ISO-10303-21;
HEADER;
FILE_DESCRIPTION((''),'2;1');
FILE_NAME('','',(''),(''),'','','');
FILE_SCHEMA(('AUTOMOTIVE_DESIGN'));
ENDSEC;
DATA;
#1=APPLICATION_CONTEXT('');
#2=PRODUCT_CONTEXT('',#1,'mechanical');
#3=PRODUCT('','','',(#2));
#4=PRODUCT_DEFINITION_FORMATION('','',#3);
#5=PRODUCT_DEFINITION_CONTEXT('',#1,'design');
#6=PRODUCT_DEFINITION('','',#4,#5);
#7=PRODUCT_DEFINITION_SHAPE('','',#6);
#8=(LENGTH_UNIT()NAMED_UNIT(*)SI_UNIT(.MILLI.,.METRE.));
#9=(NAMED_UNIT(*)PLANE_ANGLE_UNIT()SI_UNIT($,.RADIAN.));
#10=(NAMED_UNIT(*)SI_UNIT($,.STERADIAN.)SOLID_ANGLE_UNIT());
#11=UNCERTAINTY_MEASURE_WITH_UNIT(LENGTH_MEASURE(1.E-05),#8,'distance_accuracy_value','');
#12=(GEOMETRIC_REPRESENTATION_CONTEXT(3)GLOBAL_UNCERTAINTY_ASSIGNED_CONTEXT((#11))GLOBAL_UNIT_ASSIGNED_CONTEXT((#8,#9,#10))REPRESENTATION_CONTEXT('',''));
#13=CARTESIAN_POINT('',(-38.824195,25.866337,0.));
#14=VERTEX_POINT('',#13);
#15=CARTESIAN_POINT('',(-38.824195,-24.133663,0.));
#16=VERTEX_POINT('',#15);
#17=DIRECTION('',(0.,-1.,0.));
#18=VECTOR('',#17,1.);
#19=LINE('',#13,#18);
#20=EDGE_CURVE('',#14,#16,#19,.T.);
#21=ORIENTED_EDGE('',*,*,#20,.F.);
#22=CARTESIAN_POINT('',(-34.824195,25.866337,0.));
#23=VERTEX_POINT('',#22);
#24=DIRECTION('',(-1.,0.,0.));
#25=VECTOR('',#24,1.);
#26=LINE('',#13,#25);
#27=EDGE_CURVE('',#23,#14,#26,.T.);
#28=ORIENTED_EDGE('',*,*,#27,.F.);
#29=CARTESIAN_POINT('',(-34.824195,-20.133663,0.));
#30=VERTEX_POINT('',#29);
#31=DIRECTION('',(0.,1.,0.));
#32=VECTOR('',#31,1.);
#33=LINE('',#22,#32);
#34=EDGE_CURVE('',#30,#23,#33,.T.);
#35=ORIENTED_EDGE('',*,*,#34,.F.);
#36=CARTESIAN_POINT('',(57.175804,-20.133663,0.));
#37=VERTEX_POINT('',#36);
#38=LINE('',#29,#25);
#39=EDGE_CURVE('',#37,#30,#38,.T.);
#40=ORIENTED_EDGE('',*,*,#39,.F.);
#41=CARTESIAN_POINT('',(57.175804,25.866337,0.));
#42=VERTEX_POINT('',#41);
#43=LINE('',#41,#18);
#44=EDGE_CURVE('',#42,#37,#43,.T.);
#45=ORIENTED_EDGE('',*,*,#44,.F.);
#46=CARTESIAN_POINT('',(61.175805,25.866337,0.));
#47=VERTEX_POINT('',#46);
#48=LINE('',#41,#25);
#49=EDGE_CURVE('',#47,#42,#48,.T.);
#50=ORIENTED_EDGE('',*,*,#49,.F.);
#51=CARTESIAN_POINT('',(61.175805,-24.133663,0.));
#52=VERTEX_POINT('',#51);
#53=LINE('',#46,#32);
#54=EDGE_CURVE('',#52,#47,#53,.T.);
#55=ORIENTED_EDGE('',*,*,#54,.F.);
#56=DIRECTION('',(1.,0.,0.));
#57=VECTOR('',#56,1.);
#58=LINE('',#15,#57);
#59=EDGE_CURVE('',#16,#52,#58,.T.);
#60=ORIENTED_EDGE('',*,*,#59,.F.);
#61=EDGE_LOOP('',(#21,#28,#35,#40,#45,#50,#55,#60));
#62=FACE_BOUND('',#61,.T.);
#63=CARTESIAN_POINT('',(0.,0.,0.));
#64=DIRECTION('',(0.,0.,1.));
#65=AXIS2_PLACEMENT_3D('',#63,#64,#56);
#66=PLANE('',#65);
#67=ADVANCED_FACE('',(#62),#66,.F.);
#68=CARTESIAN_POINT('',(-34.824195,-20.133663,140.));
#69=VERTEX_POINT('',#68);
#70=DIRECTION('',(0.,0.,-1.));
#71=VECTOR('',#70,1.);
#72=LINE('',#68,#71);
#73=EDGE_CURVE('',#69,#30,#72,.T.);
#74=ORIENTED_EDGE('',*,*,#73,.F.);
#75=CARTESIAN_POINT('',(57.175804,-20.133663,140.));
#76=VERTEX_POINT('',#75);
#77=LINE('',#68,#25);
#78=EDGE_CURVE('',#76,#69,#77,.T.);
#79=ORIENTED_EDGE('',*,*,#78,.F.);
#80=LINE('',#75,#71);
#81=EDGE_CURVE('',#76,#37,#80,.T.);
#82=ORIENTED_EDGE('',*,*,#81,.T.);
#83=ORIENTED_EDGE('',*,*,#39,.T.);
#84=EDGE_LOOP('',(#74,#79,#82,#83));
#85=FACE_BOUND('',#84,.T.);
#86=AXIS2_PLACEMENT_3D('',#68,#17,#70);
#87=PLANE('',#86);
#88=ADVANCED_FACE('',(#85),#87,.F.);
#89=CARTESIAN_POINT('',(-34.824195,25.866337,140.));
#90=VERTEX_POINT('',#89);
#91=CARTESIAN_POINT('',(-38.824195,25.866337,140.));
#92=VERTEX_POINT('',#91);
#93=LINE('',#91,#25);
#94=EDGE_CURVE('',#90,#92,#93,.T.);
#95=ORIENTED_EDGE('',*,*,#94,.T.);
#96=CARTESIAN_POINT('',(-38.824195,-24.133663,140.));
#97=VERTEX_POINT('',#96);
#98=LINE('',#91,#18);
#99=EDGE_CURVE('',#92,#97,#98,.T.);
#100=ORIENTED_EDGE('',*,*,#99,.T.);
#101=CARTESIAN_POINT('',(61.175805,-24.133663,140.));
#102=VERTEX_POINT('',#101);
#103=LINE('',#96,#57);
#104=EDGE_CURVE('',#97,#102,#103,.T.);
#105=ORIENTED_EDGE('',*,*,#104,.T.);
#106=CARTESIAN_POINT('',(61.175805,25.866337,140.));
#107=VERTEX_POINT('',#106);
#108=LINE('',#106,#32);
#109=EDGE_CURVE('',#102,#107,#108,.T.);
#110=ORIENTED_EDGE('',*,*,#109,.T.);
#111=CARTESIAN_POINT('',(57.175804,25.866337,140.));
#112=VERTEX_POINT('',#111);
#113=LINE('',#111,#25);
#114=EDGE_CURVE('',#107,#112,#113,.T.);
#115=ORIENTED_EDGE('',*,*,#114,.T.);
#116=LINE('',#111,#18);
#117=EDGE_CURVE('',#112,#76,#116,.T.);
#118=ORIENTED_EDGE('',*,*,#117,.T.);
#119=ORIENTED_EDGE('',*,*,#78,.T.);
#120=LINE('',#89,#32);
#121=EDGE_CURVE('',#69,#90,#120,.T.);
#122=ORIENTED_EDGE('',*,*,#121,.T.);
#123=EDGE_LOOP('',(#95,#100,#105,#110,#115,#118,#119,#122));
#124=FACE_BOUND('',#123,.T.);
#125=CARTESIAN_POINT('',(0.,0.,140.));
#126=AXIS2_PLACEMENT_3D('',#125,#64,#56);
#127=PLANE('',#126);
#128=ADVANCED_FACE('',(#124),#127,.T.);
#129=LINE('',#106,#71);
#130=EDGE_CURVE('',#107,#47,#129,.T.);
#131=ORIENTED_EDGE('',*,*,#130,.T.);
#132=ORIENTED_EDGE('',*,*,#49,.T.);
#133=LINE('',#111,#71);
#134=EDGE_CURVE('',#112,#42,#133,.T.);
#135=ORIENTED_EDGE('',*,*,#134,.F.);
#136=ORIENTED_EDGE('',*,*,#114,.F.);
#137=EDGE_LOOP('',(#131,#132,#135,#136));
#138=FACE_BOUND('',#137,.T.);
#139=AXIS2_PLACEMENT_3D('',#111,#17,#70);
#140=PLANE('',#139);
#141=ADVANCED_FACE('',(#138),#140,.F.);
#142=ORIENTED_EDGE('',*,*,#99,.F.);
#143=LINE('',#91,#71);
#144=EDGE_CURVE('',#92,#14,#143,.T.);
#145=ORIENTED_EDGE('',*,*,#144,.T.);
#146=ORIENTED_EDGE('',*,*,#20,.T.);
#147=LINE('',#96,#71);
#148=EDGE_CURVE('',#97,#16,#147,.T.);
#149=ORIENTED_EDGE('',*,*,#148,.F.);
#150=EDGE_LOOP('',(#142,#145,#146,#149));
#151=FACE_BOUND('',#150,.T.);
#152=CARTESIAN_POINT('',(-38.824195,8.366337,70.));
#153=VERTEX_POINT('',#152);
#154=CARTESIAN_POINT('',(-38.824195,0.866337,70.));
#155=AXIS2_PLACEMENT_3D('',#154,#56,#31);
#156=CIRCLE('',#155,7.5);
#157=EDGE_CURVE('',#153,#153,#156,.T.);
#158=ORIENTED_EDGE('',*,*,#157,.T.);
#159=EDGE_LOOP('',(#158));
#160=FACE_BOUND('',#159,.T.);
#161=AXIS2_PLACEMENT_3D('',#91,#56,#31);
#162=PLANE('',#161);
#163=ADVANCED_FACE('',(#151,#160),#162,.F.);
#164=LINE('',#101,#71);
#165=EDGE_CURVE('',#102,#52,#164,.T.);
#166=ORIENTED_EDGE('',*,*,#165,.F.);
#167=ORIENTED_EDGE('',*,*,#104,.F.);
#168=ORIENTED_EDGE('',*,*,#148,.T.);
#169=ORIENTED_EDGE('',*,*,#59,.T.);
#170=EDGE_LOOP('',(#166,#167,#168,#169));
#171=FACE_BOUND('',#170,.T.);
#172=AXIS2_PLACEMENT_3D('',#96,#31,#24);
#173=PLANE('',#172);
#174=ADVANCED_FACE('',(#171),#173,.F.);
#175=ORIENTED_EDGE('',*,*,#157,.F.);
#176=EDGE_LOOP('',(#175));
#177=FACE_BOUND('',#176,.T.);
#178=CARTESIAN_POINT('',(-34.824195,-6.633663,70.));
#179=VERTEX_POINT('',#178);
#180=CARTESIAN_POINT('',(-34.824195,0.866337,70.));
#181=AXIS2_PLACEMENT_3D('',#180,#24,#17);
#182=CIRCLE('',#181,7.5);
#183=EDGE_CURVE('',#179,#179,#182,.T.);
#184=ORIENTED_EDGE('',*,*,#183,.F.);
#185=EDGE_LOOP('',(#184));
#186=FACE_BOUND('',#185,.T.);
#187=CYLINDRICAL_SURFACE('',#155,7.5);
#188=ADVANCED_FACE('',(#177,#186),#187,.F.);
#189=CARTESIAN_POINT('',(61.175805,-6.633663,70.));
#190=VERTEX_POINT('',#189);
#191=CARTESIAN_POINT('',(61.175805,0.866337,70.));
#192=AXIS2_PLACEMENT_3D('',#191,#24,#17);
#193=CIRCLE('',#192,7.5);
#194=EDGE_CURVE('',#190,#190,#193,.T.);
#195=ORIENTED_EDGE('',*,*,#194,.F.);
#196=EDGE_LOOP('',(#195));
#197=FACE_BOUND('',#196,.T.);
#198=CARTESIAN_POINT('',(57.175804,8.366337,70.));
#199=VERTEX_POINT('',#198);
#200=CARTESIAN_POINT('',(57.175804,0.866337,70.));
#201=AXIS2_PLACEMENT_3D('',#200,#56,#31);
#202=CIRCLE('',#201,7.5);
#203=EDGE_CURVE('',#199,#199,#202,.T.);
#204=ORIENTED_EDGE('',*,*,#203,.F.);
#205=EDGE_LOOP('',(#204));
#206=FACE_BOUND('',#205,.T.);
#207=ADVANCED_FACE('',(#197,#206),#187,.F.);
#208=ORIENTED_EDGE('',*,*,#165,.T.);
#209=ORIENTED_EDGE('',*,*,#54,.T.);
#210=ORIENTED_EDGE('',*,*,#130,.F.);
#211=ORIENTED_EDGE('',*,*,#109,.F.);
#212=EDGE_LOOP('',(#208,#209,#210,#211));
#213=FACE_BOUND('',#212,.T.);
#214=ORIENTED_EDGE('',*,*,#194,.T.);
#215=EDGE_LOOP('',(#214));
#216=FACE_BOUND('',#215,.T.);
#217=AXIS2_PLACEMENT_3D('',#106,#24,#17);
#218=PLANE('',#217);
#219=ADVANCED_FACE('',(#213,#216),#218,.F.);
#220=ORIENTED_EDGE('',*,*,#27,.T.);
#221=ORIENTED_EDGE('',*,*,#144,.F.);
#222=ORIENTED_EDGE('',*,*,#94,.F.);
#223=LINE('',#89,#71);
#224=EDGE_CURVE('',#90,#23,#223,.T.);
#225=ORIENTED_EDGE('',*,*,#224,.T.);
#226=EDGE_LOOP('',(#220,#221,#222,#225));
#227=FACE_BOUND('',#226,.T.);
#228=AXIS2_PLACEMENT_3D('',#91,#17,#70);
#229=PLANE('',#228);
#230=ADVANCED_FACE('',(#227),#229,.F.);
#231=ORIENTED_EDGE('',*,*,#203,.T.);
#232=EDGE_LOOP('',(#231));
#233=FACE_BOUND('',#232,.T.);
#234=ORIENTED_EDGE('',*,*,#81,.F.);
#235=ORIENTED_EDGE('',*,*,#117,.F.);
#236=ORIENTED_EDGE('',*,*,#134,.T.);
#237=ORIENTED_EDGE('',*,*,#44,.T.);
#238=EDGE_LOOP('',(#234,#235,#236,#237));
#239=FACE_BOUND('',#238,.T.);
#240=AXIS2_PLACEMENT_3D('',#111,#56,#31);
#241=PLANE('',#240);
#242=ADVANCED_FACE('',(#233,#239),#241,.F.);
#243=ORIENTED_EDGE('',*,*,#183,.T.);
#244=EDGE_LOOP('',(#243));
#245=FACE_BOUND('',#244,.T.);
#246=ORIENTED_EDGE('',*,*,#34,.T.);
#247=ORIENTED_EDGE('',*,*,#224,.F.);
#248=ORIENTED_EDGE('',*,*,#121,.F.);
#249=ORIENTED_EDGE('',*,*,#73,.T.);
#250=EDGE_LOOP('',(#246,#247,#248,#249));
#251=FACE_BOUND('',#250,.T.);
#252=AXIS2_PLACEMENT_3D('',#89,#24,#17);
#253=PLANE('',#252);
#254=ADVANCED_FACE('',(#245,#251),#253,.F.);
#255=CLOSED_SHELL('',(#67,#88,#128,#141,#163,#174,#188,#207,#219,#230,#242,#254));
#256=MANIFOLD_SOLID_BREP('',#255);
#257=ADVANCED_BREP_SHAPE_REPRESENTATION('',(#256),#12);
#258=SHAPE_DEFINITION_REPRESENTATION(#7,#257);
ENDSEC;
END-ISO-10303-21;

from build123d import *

# Parameters (mm, degrees)
BOSS_EXTRUDE1_DEPTH     = 140
CUT_EXTRUDE1_DEPTH      = 174.980077517
CUT_EXTRUDE1_DEPTH_BACK = 174.980077517
SKETCH2_R               = 7.5


with BuildPart() as part:
    # Sketch1 → Boss-Extrude1 (new body)
    with BuildSketch(Plane.XY):
        Polygon((-38.824195441, 25.86633667), (-34.824195441, 25.86633667), (-34.824195441, -20.133663278), (57.175804455, -20.133663278), (57.175804455, 25.866336594), (61.175804559, 25.866336594), (61.175804559, -24.133663406), (-38.824195441, -24.133663406), align=None)
    extrude(amount=BOSS_EXTRUDE1_DEPTH)

    # Sketch2 → Cut-Extrude1 (cut, two sides: drawn at the far end of the back side and taken through both)
    with BuildSketch(Plane(origin=(61.175804559, 0, 0), x_dir=(0, 0, -1), z_dir=(1, 0, 0)).offset(-CUT_EXTRUDE1_DEPTH_BACK)):
        with Locations(Location((-70, 0.866336594, 0), (0, 0, 90))):
            Circle(SKETCH2_R)
    extrude(amount=CUT_EXTRUDE1_DEPTH + CUT_EXTRUDE1_DEPTH_BACK, mode=Mode.SUBTRACT)


solid = part.part
